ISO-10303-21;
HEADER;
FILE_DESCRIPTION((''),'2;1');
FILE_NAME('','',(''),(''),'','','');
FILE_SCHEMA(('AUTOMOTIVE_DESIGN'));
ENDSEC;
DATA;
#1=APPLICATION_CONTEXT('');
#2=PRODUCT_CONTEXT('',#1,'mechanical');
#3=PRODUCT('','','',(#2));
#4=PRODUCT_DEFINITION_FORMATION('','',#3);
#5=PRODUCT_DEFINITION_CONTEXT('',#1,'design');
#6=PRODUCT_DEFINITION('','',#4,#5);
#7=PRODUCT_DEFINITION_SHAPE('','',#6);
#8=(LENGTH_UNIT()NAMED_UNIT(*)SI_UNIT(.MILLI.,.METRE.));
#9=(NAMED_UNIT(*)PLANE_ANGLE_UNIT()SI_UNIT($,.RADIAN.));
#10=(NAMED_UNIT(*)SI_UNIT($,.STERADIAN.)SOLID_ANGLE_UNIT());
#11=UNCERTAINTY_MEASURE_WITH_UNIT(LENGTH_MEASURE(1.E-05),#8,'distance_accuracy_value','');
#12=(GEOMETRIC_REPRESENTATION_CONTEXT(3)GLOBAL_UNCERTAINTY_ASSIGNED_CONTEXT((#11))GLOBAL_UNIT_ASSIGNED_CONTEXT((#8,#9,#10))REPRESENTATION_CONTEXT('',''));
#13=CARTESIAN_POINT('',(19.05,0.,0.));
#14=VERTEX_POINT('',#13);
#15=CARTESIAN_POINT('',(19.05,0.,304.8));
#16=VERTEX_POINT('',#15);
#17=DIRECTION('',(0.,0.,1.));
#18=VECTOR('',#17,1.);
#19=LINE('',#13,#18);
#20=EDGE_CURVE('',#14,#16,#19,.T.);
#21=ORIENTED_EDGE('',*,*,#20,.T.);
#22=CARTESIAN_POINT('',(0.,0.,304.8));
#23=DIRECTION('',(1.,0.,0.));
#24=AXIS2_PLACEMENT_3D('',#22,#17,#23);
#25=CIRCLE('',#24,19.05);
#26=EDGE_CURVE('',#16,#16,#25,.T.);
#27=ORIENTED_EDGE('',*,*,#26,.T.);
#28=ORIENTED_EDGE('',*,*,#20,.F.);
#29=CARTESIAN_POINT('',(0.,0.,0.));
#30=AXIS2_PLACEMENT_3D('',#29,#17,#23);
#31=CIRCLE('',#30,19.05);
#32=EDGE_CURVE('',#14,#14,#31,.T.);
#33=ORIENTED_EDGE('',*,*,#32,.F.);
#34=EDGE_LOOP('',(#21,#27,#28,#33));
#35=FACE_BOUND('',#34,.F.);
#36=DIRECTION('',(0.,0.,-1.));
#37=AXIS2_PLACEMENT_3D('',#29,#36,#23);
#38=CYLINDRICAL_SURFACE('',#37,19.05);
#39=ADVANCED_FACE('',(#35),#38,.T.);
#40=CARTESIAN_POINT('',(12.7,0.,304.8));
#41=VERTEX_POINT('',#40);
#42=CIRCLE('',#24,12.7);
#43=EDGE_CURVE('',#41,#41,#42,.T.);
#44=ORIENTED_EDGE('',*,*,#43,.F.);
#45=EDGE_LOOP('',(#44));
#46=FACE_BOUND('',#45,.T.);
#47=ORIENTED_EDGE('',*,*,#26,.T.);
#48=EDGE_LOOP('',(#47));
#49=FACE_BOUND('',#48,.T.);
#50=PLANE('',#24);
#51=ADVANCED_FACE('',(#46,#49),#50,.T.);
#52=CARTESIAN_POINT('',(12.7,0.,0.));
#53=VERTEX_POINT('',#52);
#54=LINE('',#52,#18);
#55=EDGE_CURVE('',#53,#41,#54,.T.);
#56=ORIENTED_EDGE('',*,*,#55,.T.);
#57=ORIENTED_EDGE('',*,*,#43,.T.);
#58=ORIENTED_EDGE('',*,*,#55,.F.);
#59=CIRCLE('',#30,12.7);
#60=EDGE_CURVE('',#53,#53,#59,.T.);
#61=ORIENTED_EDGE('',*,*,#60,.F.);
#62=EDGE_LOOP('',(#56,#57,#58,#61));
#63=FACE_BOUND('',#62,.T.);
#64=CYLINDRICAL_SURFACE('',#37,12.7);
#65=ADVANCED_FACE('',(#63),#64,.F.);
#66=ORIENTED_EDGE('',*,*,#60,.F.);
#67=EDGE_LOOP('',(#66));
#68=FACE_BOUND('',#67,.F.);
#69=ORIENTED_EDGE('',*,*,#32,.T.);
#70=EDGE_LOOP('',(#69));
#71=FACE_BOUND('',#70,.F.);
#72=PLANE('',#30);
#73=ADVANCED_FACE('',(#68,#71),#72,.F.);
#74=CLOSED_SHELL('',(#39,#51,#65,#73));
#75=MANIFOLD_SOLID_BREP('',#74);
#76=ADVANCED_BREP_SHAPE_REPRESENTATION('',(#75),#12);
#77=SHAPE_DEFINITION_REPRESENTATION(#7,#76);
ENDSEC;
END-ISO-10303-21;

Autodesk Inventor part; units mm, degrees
ref_plane "YZ Plane" through (0, 0, 0) normal (1, 0, 0) x (0, 1, 0)
ref_plane "XZ Plane" through (0, 0, 0) normal (0, 1, 0) x (-1, 0, 0)
ref_plane "XY Plane" through (0, 0, 0) normal (0, 0, 1) x (1, 0, 0)
sketch "Sketch1" plane through (0, 0, 0) normal (0, 0, 1) x (1, 0, 0)
  circle A0 centre (0, 0) radius 19.05
  circle A1 centre (0, 0) radius 12.7
  dimension "d0" = 38.1
  dimension "d1" = 25.4
extrude "Extrusion1" add sketch "Sketch1" along normal blind 304.8
properties part number "Exterior Pneumatics cell"
